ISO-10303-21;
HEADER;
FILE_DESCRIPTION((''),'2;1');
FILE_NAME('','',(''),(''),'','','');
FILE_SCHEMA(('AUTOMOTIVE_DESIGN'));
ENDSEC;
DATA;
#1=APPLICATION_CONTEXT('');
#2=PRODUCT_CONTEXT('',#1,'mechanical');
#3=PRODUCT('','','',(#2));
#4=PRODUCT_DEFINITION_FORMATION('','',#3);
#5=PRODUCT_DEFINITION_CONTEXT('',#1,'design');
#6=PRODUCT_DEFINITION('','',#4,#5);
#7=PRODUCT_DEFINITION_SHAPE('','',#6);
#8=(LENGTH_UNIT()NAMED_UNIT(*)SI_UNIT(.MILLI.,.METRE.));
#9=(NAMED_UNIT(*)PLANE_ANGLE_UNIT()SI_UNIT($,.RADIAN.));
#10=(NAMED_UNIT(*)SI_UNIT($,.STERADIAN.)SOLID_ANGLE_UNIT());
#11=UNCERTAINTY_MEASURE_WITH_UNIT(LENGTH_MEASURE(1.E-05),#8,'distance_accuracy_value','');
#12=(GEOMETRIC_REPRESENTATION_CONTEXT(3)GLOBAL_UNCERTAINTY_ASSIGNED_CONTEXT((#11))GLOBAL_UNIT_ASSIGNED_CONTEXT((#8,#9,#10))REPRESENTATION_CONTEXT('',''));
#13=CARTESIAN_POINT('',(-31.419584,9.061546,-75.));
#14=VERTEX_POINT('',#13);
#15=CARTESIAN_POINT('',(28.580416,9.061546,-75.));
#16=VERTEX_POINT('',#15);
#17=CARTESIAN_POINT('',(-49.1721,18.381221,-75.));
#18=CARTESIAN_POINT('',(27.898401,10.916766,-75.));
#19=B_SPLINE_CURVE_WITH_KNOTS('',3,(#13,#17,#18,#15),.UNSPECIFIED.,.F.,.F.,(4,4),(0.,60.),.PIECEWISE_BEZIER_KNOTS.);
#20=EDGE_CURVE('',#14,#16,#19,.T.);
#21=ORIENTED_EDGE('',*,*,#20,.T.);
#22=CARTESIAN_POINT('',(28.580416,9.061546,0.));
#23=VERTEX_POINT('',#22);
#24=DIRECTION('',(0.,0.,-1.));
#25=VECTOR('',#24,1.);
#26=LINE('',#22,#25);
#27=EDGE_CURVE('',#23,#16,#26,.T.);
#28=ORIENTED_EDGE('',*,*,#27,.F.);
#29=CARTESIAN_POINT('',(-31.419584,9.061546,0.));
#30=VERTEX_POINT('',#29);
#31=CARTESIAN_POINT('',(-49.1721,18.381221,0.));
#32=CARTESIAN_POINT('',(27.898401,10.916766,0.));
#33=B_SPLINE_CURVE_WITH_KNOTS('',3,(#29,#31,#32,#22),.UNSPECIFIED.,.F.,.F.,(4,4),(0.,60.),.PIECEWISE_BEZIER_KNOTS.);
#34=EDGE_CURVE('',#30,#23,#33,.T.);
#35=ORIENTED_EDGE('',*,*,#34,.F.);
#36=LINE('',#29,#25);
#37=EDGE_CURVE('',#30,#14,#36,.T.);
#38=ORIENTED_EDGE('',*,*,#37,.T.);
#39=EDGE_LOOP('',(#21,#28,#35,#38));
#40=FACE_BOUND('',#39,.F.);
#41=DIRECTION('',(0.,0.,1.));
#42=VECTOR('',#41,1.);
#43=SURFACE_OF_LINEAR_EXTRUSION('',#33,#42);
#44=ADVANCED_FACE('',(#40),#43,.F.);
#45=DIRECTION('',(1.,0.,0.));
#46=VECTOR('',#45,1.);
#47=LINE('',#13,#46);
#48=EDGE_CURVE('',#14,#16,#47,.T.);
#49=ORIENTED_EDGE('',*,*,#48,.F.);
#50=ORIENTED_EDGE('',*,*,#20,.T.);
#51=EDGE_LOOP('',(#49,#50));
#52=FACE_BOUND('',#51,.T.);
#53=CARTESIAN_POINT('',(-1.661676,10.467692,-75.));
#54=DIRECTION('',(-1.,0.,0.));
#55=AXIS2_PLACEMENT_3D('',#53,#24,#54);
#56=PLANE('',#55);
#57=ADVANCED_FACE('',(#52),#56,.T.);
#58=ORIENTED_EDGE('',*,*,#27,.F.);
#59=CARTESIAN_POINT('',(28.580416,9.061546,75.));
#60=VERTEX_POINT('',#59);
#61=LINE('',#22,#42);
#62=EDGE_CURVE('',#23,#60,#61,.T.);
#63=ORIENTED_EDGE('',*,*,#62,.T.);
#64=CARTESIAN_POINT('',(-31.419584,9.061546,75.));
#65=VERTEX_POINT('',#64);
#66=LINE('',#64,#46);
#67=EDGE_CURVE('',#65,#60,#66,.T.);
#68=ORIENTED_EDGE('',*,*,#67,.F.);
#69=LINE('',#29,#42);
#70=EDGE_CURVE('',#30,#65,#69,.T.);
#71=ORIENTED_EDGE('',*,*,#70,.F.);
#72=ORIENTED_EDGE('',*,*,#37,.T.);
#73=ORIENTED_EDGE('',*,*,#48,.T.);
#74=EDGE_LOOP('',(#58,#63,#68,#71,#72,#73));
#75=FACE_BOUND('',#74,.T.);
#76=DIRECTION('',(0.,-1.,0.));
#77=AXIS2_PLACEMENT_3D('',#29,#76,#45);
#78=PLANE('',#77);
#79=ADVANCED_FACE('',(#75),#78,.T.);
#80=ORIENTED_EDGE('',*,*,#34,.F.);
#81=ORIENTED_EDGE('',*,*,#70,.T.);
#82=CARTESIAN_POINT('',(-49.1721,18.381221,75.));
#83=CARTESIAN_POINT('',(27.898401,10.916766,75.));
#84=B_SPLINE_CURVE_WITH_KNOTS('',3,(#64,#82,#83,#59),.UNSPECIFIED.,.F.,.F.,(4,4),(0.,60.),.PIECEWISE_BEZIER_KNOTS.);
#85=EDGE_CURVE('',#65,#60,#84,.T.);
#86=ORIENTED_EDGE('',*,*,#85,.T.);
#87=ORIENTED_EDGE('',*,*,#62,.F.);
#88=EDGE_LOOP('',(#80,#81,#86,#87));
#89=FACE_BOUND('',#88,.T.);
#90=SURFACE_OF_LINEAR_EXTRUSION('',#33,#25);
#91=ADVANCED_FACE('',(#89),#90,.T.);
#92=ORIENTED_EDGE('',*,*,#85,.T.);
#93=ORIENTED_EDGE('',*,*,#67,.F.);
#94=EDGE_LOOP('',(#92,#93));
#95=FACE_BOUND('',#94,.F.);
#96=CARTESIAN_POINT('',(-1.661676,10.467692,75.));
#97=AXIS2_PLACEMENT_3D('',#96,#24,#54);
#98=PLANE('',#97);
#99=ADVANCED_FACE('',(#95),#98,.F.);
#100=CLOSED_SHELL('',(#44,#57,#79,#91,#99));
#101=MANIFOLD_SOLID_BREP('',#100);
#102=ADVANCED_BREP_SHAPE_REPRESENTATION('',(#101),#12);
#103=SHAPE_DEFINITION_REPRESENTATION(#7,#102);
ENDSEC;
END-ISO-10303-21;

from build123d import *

# Parameters (mm, degrees)
F1_DEPTH = 75


with BuildPart() as f1:
    # F0 (on Top) → F1 (new body, symmetric)
    with BuildSketch(Plane.XY):
        with BuildLine():
            add(Edge.make_bspline(
                [(-31.4195839986, 9.0615461363), (-49.1720996797, 18.3812212199), (27.898401022, 10.9167657793), (28.5804160014, 9.0615461363)],
                knots=[0, 0, 0, 0, 60, 60, 60, 60], degree=3))
            Line((-31.4195839986, 9.0615461363), (28.5804160014, 9.0615461363))
        make_face()
    extrude(amount=F1_DEPTH, both=True)


solid = f1.part
